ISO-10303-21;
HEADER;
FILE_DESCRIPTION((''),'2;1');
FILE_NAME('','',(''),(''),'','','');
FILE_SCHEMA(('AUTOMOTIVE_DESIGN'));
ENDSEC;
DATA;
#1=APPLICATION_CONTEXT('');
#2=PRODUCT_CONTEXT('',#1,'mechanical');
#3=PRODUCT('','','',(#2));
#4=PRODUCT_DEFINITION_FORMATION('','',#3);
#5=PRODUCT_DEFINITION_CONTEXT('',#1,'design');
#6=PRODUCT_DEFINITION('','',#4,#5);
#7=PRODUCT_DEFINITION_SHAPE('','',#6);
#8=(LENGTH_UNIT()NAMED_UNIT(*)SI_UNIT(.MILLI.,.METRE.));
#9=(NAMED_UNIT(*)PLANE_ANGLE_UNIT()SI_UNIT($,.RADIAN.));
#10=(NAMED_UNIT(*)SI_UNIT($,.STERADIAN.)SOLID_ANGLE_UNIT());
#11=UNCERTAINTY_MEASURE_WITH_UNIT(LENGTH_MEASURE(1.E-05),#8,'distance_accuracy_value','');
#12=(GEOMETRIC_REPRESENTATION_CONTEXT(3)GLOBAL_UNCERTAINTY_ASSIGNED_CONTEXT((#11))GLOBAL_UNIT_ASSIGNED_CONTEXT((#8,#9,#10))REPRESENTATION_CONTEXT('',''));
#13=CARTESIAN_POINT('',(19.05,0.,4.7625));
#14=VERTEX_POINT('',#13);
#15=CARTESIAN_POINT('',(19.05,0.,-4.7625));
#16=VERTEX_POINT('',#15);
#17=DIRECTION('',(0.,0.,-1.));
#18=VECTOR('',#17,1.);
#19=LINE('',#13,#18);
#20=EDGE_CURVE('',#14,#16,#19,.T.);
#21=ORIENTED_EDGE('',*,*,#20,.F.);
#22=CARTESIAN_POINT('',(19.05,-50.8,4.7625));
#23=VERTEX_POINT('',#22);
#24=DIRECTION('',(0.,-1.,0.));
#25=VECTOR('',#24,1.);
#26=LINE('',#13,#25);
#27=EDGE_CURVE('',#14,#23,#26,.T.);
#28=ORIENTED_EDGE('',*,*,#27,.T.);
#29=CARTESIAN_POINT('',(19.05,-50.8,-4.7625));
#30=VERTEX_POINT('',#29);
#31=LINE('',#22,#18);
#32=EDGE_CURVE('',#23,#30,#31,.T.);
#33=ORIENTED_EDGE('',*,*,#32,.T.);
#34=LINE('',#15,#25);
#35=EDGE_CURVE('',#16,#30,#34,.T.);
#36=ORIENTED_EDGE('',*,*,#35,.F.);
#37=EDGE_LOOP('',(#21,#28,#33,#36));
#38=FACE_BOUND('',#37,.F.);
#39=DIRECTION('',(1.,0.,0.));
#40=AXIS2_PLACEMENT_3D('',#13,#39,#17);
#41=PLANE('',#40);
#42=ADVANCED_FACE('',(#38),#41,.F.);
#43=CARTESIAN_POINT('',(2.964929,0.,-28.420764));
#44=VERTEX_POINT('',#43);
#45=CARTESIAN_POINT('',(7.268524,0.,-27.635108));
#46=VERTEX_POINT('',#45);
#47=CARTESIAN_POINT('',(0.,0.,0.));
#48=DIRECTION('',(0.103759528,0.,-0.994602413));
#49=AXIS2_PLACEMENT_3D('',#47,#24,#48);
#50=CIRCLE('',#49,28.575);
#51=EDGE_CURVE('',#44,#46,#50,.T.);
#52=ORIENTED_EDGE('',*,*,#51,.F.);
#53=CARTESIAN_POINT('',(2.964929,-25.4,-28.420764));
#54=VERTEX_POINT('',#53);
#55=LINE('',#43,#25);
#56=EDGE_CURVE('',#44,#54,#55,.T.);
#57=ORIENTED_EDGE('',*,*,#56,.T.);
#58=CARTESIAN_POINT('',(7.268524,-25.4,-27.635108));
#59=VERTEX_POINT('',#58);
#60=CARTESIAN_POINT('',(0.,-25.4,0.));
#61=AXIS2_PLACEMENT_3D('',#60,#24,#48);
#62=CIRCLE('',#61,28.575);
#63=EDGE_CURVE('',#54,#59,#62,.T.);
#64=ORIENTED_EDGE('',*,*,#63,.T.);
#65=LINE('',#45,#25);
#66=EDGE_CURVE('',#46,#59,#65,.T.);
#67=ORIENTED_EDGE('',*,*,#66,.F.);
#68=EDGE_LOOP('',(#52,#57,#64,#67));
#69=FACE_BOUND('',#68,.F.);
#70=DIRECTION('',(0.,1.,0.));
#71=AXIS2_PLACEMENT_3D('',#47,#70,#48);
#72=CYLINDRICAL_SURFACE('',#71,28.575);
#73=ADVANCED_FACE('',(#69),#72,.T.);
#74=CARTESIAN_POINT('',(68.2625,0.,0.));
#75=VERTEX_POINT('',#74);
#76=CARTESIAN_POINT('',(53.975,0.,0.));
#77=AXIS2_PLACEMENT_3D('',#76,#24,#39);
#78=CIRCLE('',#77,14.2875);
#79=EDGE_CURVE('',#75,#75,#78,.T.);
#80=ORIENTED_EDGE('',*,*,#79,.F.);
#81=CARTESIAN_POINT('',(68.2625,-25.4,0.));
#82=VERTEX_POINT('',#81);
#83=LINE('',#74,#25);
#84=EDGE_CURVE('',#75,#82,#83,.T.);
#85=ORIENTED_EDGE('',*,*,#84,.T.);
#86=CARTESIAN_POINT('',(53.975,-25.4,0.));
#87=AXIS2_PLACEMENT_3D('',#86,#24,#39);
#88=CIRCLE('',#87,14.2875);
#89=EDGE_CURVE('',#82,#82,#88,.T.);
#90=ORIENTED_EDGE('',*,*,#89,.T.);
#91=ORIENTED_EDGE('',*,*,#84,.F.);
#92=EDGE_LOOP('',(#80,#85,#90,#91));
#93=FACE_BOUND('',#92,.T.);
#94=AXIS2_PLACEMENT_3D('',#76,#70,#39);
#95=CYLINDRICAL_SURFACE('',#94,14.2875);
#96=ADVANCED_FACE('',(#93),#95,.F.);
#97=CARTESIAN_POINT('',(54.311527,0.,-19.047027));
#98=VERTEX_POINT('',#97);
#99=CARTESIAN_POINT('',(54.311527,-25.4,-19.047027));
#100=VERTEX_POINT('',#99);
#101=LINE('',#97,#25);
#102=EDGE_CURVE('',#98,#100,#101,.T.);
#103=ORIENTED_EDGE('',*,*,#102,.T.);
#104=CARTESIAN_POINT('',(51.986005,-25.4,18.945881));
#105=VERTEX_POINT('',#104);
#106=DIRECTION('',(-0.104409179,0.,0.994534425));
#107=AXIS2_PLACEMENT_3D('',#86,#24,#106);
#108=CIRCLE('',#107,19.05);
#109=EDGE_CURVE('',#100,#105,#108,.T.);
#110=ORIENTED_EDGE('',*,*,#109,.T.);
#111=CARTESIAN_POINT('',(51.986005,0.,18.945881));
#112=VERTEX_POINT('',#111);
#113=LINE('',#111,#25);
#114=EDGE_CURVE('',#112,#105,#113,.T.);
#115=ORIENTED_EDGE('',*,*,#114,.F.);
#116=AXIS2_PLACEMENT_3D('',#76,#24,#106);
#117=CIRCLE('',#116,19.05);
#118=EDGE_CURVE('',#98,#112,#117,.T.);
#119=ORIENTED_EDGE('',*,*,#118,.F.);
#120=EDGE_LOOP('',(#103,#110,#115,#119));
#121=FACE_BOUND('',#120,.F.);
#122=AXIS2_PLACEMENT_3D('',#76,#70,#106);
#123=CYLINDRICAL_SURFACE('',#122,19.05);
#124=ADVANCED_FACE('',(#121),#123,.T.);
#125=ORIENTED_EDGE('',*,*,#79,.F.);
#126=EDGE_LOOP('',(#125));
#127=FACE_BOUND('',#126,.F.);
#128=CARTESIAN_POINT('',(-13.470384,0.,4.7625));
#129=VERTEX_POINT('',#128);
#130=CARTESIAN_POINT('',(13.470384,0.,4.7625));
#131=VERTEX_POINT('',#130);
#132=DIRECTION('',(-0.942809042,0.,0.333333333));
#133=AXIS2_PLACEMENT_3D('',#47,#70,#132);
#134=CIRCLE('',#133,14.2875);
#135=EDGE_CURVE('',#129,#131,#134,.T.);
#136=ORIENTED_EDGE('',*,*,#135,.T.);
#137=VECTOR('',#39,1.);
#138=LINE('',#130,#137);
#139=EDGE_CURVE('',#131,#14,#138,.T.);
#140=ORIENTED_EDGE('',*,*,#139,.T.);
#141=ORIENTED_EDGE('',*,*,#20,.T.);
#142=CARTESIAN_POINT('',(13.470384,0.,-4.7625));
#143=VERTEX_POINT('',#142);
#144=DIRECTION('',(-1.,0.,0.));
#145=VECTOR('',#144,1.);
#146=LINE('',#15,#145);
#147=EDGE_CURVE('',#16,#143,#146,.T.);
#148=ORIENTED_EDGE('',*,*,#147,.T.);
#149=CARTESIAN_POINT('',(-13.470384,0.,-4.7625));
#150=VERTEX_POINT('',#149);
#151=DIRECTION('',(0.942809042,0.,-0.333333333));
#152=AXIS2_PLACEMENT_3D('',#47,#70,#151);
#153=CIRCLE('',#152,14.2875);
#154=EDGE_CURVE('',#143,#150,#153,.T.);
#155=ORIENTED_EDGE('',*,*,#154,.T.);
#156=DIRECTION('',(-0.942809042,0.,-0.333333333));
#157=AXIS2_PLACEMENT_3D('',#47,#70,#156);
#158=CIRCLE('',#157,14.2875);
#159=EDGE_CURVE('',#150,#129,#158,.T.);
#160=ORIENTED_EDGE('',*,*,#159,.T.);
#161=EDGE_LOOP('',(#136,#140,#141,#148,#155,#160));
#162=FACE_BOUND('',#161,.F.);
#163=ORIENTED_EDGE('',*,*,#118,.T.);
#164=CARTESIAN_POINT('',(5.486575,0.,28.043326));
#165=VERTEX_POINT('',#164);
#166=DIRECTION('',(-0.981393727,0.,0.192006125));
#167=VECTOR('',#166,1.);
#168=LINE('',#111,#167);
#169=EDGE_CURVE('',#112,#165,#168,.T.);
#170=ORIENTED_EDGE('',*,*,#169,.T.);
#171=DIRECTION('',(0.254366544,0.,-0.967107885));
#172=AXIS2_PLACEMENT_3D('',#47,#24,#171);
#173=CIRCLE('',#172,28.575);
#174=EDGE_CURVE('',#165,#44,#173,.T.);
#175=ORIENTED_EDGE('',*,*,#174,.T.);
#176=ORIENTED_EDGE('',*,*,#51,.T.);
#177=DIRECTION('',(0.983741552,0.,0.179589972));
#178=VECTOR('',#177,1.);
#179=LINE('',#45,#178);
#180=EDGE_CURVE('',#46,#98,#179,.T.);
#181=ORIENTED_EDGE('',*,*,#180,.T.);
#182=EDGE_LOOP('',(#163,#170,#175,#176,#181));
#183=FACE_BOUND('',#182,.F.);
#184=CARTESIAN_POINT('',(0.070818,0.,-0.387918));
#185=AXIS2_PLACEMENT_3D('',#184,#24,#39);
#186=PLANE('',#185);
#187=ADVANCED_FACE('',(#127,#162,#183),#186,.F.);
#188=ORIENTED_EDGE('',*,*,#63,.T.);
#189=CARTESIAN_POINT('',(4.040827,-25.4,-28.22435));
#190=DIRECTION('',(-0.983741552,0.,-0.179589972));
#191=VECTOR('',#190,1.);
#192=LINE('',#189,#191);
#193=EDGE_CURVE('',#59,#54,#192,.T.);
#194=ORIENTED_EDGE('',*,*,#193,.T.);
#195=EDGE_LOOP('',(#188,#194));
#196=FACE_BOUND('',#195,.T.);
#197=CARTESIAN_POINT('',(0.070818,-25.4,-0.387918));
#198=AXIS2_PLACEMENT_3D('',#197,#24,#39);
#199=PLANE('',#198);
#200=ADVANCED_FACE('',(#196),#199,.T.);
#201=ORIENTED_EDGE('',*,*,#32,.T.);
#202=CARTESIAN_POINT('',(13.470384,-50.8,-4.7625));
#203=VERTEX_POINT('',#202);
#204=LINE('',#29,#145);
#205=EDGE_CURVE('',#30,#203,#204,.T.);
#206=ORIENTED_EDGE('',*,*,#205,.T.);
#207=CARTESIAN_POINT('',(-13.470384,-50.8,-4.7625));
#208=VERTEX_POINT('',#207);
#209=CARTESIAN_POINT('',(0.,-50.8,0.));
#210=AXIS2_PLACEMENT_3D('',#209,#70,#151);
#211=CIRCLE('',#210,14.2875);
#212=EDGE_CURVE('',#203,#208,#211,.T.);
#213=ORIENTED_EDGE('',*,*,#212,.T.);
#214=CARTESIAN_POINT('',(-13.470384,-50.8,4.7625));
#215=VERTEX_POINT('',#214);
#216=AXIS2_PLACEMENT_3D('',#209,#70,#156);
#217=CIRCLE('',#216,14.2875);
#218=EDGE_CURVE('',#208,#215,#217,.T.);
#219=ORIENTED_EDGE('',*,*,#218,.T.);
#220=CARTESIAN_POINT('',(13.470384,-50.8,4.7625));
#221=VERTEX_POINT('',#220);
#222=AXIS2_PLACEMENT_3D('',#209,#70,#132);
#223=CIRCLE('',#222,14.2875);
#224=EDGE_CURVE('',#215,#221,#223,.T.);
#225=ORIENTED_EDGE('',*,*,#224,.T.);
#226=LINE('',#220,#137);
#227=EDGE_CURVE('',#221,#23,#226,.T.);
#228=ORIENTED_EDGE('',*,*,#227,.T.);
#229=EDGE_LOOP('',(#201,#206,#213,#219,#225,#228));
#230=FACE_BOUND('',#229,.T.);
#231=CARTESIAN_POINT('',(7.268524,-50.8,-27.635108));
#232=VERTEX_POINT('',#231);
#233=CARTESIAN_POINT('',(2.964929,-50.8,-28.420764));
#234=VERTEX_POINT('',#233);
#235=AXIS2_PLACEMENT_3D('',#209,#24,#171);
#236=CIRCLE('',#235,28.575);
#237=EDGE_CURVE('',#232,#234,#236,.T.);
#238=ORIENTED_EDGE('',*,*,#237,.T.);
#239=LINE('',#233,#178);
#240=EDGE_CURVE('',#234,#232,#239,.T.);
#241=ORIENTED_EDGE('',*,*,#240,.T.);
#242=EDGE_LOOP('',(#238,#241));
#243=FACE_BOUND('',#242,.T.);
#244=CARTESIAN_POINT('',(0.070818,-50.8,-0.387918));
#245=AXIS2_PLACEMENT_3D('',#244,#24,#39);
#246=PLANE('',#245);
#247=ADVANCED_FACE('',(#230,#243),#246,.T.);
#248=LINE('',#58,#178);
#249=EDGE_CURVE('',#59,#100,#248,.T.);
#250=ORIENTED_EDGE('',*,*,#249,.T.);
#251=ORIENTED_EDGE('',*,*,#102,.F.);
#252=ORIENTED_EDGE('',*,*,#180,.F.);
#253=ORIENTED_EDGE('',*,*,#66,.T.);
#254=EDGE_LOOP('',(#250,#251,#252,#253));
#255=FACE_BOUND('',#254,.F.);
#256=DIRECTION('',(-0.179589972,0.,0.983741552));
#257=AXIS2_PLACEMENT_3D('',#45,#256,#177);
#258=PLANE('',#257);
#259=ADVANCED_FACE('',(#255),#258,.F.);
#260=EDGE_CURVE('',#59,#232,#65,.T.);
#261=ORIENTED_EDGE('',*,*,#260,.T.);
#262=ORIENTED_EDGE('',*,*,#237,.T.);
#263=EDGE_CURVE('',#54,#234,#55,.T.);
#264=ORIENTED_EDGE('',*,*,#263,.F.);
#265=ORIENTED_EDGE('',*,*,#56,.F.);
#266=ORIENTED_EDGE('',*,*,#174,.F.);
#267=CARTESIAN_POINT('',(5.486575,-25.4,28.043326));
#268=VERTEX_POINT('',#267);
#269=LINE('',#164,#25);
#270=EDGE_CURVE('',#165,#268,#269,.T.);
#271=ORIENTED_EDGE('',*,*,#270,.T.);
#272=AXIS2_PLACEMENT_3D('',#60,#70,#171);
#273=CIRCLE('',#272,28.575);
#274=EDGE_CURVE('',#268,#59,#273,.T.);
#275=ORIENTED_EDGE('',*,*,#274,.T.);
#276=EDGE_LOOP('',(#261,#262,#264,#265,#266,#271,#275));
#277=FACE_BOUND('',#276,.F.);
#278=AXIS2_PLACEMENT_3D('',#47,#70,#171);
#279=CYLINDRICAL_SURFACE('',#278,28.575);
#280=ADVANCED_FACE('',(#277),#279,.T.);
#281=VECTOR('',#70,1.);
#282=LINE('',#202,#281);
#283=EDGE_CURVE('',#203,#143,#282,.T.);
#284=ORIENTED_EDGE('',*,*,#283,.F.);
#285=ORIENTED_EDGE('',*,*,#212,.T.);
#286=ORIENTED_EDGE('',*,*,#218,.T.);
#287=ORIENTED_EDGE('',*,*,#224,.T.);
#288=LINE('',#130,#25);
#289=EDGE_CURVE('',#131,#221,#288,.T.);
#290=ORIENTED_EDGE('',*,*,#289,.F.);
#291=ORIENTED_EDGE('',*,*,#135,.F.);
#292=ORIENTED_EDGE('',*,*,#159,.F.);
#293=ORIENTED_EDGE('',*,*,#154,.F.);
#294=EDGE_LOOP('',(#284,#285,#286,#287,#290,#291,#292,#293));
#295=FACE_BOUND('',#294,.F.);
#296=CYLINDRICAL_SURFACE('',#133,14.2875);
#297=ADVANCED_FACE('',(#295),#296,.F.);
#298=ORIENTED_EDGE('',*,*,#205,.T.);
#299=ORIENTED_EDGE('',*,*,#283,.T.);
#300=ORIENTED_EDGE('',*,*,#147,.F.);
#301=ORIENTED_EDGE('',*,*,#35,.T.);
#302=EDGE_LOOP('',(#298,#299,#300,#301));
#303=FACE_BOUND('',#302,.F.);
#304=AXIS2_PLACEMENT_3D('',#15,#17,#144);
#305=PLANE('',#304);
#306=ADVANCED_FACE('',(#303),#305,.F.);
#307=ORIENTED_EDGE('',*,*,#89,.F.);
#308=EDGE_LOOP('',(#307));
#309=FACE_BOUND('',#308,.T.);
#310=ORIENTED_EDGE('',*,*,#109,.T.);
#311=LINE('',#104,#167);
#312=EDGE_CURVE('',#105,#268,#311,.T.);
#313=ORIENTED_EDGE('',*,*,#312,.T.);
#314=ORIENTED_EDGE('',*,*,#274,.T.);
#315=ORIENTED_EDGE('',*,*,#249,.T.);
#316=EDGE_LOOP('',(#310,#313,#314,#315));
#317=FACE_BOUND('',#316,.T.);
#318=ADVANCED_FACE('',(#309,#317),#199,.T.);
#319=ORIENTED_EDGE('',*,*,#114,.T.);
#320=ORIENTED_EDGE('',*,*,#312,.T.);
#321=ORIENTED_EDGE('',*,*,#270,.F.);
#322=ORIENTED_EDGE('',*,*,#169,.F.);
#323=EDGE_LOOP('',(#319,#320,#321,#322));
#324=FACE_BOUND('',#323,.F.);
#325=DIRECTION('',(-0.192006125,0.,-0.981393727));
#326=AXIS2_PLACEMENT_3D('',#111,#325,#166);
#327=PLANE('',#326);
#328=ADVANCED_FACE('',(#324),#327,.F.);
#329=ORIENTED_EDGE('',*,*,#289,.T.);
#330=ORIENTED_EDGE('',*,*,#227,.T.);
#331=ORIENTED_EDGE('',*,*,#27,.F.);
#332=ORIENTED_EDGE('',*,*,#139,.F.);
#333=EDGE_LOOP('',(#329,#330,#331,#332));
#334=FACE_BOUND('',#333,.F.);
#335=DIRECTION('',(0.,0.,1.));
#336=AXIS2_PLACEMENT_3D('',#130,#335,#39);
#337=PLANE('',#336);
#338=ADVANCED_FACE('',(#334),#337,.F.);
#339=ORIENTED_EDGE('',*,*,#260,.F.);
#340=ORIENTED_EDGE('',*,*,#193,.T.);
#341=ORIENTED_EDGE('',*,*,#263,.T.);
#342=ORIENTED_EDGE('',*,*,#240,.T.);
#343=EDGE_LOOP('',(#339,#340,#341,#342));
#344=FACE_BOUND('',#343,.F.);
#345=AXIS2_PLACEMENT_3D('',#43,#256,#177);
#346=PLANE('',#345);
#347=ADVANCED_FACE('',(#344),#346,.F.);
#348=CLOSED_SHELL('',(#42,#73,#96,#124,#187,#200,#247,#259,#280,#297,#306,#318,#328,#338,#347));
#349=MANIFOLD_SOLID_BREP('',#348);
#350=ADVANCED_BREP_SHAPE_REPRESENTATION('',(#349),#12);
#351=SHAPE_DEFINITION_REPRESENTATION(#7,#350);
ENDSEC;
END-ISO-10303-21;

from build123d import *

# Parameters (mm, degrees)
F0_R     = 14.2875
F1_DEPTH = 25.4
F2_DEPTH = 50.8


with BuildPart() as f1:
    # F0 (on Front) → F1 (new body)
    with BuildSketch(Plane.XZ):
        with BuildLine():
            ThreePointArc((7.2685239989, -27.6351078138), (22.6299436397, -17.4475292195), (28.575, 0))
            ThreePointArc((28.575, 0), (22.0602527934, 18.162485284), (5.4865750347, 28.0433257548))
            ThreePointArc((5.4865750347, 28.0433257548), (-28.5465468103, 1.2748687029), (2.9649285011, -28.4207639585))
            Line((2.9649285011, -28.4207639585), (7.2685239989, -27.6351078138))
        make_face()
        with BuildLine():
            ThreePointArc((-13.4703841816, 4.7625), (0, 14.2875), (13.4703841816, 4.7625))
            Line((13.4703841816, 4.7625), (19.05, 4.7625))
            Line((19.05, 4.7625), (19.05, -4.7625))
            Line((19.05, -4.7625), (13.4703841816, -4.7625))
            ThreePointArc((13.4703841816, -4.7625), (0, -14.2875), (-13.4703841816, -4.7625))
            Line((-13.4703841816, -4.7625), (-19.05, -4.7625))
            Line((-19.05, -4.7625), (-19.05, 4.7625))
            Line((-19.05, 4.7625), (-13.4703841816, 4.7625))
        make_face(mode=Mode.SUBTRACT)
        with BuildLine():
            ThreePointArc((5.4865750347, 28.0433257548), (22.0602527934, 18.162485284), (28.575, 0))
            ThreePointArc((28.575, 0), (22.6299436397, -17.4475292195), (7.2685239989, -27.6351078138))
            Line((7.2685239989, -27.6351078138), (54.3115272683, -19.0470273113))
            ThreePointArc((54.3115272683, -19.0470273113), (34.9605862818, -1.1638603674), (51.9860051328, 18.9458808034))
            Line((51.9860051328, 18.9458808034), (5.4865750347, 28.0433257548))
        make_face()
        with BuildLine():
            ThreePointArc((2.9649285011, -28.4207639585), (5.1317834533, -28.1104148598), (7.2685239989, -27.6351078138))
            Line((7.2685239989, -27.6351078138), (2.9649285011, -28.4207639585))
        make_face()
        with BuildLine():
            ThreePointArc((73.025, 0), (66.7227870193, 14.1561444649), (51.9860051328, 18.9458808034))
            ThreePointArc((51.9860051328, 18.9458808034), (34.9605862818, -1.1638603674), (54.3115272683, -19.0470273113))
            ThreePointArc((54.3115272683, -19.0470273113), (67.5638436679, -13.3508736706), (73.025, 0))
        make_face()
        with Locations((53.975, 0)):
            Circle(F0_R, mode=Mode.SUBTRACT)
    extrude(amount=F1_DEPTH)

    # F0 (on Front) → F2 (join)
    with BuildSketch(Plane.XZ):
        with BuildLine():
            ThreePointArc((7.2685239989, -27.6351078138), (22.6299436397, -17.4475292195), (28.575, 0))
            ThreePointArc((28.575, 0), (22.0602527934, 18.162485284), (5.4865750347, 28.0433257548))
            ThreePointArc((5.4865750347, 28.0433257548), (-28.5465468103, 1.2748687029), (2.9649285011, -28.4207639585))
            Line((2.9649285011, -28.4207639585), (7.2685239989, -27.6351078138))
        make_face()
        with BuildLine():
            ThreePointArc((-13.4703841816, 4.7625), (0, 14.2875), (13.4703841816, 4.7625))
            Line((13.4703841816, 4.7625), (19.05, 4.7625))
            Line((19.05, 4.7625), (19.05, -4.7625))
            Line((19.05, -4.7625), (13.4703841816, -4.7625))
            ThreePointArc((13.4703841816, -4.7625), (0, -14.2875), (-13.4703841816, -4.7625))
            Line((-13.4703841816, -4.7625), (-19.05, -4.7625))
            Line((-19.05, -4.7625), (-19.05, 4.7625))
            Line((-19.05, 4.7625), (-13.4703841816, 4.7625))
        make_face(mode=Mode.SUBTRACT)
        with BuildLine():
            ThreePointArc((-13.4703841816, -4.7625), (-14.2875, 0), (-13.4703841816, 4.7625))
            Line((-13.4703841816, 4.7625), (-19.05, 4.7625))
            Line((-19.05, 4.7625), (-19.05, -4.7625))
            Line((-19.05, -4.7625), (-13.4703841816, -4.7625))
        make_face()
    extrude(amount=F2_DEPTH)


solid = f1.part
